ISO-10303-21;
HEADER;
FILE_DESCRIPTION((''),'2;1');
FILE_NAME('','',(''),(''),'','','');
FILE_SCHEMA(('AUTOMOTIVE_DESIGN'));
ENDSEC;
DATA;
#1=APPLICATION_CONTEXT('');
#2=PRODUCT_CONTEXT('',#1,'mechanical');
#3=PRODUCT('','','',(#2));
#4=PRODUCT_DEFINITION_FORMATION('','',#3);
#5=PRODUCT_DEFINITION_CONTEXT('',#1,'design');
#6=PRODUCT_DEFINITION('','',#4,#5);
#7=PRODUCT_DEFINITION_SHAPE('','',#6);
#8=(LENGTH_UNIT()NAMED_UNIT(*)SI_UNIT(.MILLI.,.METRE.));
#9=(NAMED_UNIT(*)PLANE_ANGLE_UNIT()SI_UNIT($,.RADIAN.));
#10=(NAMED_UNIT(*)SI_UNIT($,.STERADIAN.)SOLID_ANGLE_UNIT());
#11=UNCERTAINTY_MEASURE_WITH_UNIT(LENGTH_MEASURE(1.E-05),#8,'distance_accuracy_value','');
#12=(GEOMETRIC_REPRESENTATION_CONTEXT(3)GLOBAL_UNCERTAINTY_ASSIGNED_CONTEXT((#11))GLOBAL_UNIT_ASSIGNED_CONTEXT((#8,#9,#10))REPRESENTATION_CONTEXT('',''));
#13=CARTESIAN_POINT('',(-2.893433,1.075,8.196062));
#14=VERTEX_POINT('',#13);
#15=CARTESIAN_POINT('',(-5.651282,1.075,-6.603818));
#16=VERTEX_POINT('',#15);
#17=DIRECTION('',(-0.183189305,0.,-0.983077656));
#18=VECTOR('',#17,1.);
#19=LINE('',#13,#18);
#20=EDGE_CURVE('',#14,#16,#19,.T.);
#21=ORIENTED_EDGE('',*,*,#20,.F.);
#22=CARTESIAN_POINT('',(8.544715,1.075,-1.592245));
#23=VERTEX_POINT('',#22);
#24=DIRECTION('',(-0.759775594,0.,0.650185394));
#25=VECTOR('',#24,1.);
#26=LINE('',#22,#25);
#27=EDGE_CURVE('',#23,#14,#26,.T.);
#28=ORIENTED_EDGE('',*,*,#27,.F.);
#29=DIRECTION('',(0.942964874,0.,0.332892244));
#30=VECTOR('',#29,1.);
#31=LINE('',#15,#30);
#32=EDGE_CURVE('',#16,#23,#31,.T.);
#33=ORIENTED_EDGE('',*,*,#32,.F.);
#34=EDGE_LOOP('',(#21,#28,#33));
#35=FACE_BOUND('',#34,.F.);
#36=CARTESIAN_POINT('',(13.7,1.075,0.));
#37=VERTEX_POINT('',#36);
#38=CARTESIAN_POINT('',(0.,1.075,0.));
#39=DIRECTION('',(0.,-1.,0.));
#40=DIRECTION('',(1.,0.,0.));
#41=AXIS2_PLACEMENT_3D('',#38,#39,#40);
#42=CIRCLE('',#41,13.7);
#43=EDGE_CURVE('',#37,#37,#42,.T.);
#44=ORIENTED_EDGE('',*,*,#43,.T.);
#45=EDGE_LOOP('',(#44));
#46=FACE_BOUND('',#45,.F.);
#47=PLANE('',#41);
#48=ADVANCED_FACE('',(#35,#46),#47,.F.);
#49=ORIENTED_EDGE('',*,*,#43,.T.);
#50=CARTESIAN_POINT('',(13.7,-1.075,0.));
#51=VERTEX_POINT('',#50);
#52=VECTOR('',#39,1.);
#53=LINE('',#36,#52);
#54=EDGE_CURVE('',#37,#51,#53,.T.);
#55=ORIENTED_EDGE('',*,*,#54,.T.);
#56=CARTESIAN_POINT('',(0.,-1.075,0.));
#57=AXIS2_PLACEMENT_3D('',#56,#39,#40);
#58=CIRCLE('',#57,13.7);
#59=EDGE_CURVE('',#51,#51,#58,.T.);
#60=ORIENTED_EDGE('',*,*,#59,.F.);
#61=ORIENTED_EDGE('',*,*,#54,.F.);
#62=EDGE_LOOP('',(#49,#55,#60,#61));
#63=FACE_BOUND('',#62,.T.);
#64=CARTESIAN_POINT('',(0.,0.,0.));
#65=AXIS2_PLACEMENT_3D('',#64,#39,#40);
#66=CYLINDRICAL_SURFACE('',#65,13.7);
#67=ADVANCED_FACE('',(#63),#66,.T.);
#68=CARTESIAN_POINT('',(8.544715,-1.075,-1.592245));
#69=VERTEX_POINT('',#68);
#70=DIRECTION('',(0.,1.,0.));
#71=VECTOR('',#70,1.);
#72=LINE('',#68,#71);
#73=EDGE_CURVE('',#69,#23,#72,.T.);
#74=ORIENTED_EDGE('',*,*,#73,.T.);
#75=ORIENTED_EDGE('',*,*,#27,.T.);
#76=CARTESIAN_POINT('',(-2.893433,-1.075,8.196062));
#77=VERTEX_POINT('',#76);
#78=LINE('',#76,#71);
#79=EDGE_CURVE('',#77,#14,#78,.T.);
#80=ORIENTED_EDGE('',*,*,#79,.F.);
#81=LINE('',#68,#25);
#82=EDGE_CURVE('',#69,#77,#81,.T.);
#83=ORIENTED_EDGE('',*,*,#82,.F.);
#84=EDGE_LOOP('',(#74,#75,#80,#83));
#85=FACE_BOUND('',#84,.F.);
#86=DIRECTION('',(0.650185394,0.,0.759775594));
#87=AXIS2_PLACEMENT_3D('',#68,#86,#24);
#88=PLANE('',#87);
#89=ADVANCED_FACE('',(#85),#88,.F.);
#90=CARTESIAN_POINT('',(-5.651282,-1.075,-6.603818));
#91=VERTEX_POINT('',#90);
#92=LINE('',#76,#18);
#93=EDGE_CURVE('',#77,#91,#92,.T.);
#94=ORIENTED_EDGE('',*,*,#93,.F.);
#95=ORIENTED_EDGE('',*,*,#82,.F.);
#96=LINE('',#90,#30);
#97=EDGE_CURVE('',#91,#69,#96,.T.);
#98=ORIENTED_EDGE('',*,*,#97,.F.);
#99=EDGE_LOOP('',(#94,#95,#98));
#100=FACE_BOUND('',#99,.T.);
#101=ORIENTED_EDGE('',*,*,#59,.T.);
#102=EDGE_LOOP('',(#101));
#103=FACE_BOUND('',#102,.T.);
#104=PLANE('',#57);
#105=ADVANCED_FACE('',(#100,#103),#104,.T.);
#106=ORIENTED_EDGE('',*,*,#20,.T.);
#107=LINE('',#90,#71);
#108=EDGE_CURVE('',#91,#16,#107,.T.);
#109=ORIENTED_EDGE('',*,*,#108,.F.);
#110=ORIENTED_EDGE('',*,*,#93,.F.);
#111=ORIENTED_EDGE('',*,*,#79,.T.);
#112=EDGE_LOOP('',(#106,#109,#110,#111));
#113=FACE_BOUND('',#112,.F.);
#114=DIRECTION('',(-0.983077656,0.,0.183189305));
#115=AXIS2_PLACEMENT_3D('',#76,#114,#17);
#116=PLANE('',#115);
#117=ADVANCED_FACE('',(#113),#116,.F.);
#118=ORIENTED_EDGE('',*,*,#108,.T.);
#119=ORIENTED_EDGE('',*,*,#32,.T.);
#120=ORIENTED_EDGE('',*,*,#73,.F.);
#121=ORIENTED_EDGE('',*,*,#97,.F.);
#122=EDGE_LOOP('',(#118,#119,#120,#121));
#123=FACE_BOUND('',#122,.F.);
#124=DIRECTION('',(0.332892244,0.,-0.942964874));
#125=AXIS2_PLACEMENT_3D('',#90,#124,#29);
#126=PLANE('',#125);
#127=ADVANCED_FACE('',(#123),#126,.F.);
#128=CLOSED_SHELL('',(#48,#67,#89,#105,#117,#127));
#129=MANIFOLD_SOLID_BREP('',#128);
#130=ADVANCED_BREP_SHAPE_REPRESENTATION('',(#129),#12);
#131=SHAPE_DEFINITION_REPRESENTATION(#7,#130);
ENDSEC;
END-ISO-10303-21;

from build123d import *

# Parameters (mm, degrees)
F0_R     = 13.7
F1_DEPTH = 1.075
F3_DEPTH = 2.15


with BuildPart() as f1:
    # F0 (on Front) → F1 (new body, symmetric)
    with BuildSketch(Plane.XZ):
        Circle(F0_R)
    extrude(amount=F1_DEPTH, both=True)

    # F2 (on face) → F3 (cut, through all)
    with BuildSketch(Plane.XZ.offset(1.075)):
        Polygon((-5.651282, -6.603818), (8.544715, -1.592245), (-2.893433, 8.196062), align=None)
    extrude(amount=-F3_DEPTH, mode=Mode.SUBTRACT)


solid = f1.part
